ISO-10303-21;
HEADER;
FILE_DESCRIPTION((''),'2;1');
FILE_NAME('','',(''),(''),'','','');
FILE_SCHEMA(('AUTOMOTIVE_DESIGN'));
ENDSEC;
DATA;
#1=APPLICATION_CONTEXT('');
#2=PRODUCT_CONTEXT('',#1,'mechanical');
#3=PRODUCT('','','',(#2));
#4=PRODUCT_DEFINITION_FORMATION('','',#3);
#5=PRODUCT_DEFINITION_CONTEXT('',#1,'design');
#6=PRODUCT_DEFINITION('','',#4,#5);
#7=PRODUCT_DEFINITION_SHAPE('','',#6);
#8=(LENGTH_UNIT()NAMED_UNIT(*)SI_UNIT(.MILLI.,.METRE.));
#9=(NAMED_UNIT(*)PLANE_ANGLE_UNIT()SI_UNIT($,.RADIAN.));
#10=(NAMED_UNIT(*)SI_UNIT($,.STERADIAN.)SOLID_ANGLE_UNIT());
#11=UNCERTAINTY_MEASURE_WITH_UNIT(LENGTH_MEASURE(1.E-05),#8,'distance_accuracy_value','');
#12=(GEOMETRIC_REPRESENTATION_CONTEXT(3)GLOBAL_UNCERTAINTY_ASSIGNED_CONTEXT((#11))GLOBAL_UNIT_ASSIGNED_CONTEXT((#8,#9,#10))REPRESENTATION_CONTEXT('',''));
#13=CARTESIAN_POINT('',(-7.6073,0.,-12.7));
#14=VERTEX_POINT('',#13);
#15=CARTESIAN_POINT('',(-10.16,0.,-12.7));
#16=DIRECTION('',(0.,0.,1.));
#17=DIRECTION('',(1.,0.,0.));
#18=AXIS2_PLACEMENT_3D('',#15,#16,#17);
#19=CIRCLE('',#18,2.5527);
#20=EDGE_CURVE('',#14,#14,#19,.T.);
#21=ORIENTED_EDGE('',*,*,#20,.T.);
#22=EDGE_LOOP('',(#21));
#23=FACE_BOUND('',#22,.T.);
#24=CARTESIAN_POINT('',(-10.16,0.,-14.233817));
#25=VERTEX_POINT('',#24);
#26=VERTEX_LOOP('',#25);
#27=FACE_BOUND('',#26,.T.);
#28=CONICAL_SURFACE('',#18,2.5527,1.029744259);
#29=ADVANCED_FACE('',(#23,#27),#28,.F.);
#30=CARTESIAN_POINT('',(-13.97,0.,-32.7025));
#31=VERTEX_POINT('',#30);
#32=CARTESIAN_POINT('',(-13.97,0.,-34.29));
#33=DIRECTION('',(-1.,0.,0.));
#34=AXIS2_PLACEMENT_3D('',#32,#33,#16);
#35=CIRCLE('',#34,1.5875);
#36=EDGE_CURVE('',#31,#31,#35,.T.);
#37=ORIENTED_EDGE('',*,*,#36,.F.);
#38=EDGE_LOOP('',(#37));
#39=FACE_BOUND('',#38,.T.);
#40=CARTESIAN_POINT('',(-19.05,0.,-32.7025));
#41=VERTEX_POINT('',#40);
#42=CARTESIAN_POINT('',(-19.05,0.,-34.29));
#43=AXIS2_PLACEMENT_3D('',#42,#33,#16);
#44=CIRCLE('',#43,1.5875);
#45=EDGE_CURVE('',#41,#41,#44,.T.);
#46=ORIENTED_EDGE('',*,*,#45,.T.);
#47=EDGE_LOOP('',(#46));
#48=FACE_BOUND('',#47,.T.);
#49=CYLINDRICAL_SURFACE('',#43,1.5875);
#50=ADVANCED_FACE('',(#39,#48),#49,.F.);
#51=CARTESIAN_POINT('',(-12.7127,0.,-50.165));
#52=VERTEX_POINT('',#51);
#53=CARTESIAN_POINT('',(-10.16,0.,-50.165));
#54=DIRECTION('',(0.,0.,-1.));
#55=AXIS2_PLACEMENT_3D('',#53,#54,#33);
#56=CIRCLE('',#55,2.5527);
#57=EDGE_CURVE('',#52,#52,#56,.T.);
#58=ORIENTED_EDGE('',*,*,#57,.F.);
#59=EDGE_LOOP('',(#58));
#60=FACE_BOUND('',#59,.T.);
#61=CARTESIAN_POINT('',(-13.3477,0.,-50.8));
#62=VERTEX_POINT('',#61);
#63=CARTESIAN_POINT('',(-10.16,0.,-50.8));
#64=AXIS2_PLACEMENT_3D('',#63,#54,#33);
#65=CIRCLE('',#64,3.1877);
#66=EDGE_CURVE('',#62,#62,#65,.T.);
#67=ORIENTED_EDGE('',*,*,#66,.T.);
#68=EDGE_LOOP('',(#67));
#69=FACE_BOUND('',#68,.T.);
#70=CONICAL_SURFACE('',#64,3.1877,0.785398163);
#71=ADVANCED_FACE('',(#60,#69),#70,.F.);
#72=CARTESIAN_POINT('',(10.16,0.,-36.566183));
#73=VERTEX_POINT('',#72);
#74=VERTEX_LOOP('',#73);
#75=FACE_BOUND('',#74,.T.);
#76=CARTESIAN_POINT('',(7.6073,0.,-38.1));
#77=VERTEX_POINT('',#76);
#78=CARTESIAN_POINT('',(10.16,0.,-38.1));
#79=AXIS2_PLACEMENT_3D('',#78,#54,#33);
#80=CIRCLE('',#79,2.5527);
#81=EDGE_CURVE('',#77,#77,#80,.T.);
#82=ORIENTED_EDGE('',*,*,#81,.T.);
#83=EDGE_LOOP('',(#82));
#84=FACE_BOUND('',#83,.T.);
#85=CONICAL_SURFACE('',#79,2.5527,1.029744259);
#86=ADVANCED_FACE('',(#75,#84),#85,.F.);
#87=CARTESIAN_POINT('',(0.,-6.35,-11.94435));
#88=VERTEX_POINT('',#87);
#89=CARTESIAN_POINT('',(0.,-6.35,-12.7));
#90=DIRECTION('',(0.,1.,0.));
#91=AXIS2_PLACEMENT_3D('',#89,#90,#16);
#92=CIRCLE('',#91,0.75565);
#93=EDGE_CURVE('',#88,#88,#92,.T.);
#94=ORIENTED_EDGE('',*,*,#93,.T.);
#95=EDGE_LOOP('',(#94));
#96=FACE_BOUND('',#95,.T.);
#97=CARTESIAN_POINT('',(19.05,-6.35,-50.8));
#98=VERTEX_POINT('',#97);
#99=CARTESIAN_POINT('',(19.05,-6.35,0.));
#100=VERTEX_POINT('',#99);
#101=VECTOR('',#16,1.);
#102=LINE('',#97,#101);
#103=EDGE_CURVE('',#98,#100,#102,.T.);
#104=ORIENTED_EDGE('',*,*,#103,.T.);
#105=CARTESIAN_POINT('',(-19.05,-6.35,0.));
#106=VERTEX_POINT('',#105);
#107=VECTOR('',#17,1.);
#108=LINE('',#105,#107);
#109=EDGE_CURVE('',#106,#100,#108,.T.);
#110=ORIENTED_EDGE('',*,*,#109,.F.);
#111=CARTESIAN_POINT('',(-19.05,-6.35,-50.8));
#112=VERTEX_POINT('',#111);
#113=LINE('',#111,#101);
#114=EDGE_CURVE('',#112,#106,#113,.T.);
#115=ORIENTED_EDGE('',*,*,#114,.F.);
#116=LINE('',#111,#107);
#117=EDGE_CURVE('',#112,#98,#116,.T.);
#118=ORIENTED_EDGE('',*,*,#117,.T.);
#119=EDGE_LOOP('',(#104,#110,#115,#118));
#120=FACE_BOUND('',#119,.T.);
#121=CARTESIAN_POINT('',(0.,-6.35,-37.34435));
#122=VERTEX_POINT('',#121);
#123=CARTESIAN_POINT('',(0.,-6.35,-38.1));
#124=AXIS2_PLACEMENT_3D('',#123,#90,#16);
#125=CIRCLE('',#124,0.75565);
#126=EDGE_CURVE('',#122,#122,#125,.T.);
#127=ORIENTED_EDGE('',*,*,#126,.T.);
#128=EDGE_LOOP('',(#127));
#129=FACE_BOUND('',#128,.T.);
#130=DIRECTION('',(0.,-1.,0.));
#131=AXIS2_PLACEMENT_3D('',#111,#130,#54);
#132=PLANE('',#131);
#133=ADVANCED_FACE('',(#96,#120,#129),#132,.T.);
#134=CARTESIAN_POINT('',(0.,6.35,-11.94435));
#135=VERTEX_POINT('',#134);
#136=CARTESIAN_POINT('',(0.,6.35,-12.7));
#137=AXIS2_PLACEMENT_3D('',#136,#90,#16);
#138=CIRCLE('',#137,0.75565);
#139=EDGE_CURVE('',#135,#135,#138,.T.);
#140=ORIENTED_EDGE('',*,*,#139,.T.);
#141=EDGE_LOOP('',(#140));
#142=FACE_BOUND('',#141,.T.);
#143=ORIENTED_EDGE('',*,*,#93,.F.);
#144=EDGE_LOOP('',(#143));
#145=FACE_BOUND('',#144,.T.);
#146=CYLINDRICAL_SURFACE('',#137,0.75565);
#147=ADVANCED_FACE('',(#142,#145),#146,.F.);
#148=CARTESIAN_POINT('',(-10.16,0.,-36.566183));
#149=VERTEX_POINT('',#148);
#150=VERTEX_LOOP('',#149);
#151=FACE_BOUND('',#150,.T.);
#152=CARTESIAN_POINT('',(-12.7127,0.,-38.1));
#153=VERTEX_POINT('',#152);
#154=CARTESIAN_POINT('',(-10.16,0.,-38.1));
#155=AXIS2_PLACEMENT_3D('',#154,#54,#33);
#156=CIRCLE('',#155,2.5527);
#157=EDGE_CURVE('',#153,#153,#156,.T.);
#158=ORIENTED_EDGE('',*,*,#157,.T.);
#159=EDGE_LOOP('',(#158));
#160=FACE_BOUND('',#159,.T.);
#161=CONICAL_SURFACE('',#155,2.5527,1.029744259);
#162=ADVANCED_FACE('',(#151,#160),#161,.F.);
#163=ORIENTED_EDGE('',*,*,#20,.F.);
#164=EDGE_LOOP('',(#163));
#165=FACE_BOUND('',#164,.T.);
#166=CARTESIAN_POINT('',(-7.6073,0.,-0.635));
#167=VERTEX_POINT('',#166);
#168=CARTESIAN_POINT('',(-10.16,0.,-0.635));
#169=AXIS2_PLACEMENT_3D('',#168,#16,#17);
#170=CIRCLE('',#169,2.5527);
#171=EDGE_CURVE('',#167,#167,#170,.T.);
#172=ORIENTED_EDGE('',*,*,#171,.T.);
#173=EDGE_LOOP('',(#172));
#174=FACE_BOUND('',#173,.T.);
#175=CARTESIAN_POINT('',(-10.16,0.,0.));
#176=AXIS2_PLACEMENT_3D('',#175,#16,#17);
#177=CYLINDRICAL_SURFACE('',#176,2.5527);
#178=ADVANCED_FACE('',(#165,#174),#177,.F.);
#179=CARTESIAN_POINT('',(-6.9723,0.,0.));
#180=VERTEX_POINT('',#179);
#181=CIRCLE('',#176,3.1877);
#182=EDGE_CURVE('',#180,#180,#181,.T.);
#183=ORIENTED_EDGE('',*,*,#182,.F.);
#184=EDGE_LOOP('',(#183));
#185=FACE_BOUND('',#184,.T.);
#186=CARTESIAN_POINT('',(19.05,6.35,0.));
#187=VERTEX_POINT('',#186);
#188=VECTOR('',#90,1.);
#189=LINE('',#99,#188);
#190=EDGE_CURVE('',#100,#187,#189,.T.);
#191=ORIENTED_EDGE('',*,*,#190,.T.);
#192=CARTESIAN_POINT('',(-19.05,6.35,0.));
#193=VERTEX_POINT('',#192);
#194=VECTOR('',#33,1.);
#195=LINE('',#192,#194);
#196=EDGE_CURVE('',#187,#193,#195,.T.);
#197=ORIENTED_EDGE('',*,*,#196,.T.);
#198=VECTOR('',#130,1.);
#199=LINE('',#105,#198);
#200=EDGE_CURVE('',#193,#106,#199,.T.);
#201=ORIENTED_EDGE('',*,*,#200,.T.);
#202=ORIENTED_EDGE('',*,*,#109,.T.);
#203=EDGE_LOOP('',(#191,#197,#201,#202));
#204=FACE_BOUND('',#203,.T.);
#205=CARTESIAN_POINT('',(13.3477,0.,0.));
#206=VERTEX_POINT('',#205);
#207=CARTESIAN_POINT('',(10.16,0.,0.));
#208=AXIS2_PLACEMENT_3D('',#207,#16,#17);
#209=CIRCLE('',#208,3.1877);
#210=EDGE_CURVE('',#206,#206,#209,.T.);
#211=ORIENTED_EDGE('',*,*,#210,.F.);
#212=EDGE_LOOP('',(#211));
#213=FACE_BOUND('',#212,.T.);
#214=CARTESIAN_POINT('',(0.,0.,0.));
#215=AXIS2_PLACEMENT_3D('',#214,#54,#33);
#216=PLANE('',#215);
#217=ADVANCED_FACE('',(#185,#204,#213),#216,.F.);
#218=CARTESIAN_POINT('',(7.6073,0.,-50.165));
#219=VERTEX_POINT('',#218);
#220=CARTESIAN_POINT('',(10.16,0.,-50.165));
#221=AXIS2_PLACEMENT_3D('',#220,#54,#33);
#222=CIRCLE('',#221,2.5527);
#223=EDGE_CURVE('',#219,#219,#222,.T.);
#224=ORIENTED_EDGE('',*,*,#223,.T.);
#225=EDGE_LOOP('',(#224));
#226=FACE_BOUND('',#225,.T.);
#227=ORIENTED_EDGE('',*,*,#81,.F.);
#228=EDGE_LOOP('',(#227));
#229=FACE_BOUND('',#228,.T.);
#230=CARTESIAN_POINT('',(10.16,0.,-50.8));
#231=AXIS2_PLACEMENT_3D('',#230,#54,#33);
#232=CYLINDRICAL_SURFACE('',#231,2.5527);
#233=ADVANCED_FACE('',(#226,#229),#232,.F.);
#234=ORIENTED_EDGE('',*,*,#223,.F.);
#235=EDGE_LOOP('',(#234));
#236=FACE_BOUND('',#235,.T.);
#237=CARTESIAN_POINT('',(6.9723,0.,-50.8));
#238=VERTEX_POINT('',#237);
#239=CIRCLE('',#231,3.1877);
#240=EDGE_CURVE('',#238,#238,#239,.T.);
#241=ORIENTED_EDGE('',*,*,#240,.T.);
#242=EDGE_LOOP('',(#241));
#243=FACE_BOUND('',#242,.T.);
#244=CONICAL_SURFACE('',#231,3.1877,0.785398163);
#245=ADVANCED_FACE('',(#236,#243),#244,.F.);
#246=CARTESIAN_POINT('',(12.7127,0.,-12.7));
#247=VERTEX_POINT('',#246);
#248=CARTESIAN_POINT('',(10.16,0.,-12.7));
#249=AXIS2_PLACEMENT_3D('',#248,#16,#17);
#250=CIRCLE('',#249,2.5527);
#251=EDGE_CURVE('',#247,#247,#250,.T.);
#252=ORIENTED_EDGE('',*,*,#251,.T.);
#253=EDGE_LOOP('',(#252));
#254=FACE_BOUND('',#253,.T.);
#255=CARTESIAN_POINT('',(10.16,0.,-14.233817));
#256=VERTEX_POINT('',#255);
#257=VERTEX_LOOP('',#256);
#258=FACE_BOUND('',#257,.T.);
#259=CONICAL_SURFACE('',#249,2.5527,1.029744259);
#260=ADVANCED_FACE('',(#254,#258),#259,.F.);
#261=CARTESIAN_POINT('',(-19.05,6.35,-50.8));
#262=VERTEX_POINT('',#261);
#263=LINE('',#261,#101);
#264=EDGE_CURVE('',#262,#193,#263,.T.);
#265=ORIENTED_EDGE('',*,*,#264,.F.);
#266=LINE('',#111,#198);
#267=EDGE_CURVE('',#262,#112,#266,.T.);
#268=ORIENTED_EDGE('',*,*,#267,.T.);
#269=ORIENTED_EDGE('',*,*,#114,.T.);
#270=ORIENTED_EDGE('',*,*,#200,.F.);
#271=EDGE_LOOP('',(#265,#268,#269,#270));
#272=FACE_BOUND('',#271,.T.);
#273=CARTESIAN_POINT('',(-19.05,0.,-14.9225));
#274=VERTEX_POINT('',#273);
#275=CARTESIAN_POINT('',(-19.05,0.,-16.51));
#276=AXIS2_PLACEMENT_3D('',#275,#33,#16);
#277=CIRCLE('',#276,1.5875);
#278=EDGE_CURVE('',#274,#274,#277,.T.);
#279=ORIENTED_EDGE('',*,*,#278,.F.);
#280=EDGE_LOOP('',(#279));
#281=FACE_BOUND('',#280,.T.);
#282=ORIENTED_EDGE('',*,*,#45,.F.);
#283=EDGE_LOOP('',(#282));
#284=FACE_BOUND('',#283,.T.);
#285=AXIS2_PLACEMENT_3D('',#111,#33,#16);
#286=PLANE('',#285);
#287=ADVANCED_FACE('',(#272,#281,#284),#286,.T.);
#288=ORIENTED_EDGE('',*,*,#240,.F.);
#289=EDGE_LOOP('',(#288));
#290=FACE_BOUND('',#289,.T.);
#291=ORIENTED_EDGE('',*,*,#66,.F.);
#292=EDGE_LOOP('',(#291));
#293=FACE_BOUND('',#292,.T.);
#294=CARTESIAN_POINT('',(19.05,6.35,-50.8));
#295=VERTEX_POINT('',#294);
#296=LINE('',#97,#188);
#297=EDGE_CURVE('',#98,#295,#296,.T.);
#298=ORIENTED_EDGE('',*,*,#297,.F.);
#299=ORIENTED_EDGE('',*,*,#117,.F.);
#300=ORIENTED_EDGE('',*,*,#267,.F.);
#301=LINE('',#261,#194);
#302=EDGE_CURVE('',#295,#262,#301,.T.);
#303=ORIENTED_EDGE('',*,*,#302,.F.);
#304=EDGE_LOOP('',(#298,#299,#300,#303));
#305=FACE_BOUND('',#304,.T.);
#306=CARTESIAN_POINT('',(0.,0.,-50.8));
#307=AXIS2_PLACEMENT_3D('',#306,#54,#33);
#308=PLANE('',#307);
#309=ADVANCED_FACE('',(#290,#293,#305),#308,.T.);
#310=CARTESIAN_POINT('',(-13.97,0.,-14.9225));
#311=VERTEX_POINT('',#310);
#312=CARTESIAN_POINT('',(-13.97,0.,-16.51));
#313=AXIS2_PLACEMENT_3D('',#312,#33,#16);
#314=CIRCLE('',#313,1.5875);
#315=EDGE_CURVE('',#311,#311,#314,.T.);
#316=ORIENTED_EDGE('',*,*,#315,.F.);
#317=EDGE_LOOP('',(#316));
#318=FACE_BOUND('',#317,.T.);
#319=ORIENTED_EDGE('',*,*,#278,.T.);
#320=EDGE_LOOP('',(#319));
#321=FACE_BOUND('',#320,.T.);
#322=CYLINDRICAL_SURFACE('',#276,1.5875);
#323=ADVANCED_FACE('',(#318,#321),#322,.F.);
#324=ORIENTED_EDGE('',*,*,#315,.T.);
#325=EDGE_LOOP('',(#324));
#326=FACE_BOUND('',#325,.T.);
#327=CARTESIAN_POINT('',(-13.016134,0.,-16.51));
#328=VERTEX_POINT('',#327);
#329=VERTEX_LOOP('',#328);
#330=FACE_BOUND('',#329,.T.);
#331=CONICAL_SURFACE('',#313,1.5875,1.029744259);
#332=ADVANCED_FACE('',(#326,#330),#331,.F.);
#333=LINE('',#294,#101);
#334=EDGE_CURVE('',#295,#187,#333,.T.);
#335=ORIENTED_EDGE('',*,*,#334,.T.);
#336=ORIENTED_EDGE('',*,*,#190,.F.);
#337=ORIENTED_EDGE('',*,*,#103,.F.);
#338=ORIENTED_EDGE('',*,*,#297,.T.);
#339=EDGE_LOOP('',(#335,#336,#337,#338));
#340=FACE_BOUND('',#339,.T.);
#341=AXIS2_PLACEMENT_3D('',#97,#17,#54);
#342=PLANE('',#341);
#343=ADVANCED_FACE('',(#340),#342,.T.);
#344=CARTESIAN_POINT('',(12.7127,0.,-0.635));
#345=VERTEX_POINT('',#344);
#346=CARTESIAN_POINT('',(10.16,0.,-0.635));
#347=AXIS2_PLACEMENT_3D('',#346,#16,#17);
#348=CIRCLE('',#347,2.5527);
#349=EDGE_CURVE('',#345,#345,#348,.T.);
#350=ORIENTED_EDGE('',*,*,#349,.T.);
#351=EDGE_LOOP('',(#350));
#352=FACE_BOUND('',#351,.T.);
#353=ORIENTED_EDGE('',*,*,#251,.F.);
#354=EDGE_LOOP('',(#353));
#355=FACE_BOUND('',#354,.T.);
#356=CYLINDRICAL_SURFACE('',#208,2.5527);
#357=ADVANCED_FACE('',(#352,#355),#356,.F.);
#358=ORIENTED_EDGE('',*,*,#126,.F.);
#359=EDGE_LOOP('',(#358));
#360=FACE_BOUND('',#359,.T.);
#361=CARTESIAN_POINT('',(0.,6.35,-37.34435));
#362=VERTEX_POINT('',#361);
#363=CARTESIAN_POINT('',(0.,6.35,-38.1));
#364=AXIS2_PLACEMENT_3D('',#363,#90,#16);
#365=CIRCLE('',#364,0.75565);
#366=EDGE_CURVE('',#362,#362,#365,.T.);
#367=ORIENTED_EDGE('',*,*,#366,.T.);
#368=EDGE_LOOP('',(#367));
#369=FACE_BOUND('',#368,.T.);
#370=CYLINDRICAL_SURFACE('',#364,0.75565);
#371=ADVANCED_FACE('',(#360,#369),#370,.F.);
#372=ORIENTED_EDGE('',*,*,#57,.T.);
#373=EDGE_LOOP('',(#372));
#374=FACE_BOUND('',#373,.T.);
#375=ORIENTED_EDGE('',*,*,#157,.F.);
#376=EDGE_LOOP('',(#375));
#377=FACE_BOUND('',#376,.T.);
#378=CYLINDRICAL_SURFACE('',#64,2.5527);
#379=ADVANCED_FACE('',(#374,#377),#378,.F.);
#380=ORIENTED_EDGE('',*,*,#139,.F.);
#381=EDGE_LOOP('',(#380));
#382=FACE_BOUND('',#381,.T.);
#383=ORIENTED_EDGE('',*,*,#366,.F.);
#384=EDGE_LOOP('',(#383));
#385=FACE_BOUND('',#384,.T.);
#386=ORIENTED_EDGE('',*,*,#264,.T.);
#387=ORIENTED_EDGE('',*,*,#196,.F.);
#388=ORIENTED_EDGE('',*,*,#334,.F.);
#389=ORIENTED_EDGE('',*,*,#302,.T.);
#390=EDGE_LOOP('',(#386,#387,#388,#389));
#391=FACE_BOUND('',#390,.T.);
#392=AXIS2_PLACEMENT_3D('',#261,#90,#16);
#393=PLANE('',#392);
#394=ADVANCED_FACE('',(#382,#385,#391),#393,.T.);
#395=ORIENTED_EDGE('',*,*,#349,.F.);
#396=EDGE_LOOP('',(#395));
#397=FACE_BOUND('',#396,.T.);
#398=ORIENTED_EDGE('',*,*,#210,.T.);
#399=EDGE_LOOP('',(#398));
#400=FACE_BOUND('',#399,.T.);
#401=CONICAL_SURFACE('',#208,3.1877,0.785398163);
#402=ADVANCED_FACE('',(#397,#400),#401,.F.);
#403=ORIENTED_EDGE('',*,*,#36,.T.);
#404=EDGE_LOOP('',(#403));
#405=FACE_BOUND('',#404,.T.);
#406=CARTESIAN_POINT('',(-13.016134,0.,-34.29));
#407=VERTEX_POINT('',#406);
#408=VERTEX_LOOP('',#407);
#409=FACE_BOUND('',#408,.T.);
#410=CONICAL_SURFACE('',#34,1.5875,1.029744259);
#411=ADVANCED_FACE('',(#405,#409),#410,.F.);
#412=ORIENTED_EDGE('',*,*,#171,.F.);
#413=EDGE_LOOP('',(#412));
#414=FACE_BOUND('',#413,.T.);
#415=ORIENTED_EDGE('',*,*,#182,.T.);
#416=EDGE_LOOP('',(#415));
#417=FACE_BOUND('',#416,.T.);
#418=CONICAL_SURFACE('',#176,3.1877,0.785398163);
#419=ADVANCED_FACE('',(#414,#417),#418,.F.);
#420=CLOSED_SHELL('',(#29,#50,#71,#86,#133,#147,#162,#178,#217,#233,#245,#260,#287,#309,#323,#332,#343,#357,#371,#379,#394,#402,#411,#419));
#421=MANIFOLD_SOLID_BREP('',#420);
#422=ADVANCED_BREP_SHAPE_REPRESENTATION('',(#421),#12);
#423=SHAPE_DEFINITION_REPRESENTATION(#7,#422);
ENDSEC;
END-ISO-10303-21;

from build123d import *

# Parameters (mm, degrees)
SKETCH1_W                        = 38.1
SKETCH1_H                        = 12.7
BOSS_EXTRUDE1_DEPTH              = 50.8
F_1_4_20_TAPPED_HOLE1_AT_2_COUNT = 2
F_1_4_20_TAPPED_HOLE1_AT_2_PITCH = 20.32
F_1_64_TAPPED_HOLE1_D            = 1.5113
F_1_8_0_125_DIAMETER_HOLE1_D     = 3.175
F_1_8_0_125_DIAMETER_HOLE1_DEPTH = 5.08
F_1_8_0_125_DIAMETER_HOLE1_TIP   = 0.953866233


with BuildPart() as part:
    # Sketch1 → Boss-Extrude1 (new body)
    with BuildSketch(Plane.XY):
        Rectangle(SKETCH1_W, SKETCH1_H)
    extrude(amount=-BOSS_EXTRUDE1_DEPTH)

    # Sketch4 → 1/4-20 Tapped Hole1 (revolve, cut)
    with BuildSketch(Plane(origin=(-10.16, 0, 0), x_dir=(0, -1, 0), z_dir=(1, 0, 0))):
        Polygon((0, 0), (0, 14.233816902), (2.5527, 12.7), (2.5527, 0.635), (3.1877, 0), align=None)
    f_1_4_20_tapped_hole1 = revolve(axis=Axis((-10.16, 0, 6.35), (0, 0, -1)), mode=Mode.SUBTRACT)

    # 1/4-20 Tapped Hole1 at 2: 1/4-20 Tapped Hole1 ×2
    with Locations(*[(i * F_1_4_20_TAPPED_HOLE1_AT_2_PITCH, 0, 0) for i in range(1, F_1_4_20_TAPPED_HOLE1_AT_2_COUNT)]):
        add(f_1_4_20_tapped_hole1, mode=Mode.SUBTRACT)

    # Mirror1: 1/4-20 Tapped Hole1 across plane
    add(f_1_4_20_tapped_hole1.mirror(Plane.XY.offset(-25.4)), mode=Mode.SUBTRACT)

    # Mirror1 copy 1 sketch → Mirror1 copy 1 (revolve, cut)
    with BuildSketch(Plane(origin=(10.16, 0, -50.8), x_dir=(0, -1, 0), z_dir=(1, 0, 0))):
        Polygon((0, 0), (0, -14.233816902), (2.5527, -12.7), (2.5527, -0.635), (3.1877, 0), align=None)
    revolve(axis=Axis((10.16, 0, -57.15), (0, 0, -1)), mode=Mode.SUBTRACT)

    # #1-64 Tapped Hole1 (through all)
    with Locations(Plane(origin=(0, 6.35, -38.1), x_dir=(0, 0, 1), z_dir=(0, 1, 0))):
        with Locations((0, 0), (25.4, 0)):
            Hole(F_1_64_TAPPED_HOLE1_D / 2)

    # 1/8 (0.125) Diameter Hole1
    with Locations(Plane.ZY.offset(19.05)):
        with Locations((-34.29, 0), (-16.51, 0)):
            Hole(F_1_8_0_125_DIAMETER_HOLE1_D / 2, depth=F_1_8_0_125_DIAMETER_HOLE1_DEPTH)
            with Locations((0, 0, -(F_1_8_0_125_DIAMETER_HOLE1_DEPTH + F_1_8_0_125_DIAMETER_HOLE1_TIP / 2))):  # 118° drill point
                Cone(0, F_1_8_0_125_DIAMETER_HOLE1_D / 2, F_1_8_0_125_DIAMETER_HOLE1_TIP, mode=Mode.SUBTRACT)


solid = part.part
